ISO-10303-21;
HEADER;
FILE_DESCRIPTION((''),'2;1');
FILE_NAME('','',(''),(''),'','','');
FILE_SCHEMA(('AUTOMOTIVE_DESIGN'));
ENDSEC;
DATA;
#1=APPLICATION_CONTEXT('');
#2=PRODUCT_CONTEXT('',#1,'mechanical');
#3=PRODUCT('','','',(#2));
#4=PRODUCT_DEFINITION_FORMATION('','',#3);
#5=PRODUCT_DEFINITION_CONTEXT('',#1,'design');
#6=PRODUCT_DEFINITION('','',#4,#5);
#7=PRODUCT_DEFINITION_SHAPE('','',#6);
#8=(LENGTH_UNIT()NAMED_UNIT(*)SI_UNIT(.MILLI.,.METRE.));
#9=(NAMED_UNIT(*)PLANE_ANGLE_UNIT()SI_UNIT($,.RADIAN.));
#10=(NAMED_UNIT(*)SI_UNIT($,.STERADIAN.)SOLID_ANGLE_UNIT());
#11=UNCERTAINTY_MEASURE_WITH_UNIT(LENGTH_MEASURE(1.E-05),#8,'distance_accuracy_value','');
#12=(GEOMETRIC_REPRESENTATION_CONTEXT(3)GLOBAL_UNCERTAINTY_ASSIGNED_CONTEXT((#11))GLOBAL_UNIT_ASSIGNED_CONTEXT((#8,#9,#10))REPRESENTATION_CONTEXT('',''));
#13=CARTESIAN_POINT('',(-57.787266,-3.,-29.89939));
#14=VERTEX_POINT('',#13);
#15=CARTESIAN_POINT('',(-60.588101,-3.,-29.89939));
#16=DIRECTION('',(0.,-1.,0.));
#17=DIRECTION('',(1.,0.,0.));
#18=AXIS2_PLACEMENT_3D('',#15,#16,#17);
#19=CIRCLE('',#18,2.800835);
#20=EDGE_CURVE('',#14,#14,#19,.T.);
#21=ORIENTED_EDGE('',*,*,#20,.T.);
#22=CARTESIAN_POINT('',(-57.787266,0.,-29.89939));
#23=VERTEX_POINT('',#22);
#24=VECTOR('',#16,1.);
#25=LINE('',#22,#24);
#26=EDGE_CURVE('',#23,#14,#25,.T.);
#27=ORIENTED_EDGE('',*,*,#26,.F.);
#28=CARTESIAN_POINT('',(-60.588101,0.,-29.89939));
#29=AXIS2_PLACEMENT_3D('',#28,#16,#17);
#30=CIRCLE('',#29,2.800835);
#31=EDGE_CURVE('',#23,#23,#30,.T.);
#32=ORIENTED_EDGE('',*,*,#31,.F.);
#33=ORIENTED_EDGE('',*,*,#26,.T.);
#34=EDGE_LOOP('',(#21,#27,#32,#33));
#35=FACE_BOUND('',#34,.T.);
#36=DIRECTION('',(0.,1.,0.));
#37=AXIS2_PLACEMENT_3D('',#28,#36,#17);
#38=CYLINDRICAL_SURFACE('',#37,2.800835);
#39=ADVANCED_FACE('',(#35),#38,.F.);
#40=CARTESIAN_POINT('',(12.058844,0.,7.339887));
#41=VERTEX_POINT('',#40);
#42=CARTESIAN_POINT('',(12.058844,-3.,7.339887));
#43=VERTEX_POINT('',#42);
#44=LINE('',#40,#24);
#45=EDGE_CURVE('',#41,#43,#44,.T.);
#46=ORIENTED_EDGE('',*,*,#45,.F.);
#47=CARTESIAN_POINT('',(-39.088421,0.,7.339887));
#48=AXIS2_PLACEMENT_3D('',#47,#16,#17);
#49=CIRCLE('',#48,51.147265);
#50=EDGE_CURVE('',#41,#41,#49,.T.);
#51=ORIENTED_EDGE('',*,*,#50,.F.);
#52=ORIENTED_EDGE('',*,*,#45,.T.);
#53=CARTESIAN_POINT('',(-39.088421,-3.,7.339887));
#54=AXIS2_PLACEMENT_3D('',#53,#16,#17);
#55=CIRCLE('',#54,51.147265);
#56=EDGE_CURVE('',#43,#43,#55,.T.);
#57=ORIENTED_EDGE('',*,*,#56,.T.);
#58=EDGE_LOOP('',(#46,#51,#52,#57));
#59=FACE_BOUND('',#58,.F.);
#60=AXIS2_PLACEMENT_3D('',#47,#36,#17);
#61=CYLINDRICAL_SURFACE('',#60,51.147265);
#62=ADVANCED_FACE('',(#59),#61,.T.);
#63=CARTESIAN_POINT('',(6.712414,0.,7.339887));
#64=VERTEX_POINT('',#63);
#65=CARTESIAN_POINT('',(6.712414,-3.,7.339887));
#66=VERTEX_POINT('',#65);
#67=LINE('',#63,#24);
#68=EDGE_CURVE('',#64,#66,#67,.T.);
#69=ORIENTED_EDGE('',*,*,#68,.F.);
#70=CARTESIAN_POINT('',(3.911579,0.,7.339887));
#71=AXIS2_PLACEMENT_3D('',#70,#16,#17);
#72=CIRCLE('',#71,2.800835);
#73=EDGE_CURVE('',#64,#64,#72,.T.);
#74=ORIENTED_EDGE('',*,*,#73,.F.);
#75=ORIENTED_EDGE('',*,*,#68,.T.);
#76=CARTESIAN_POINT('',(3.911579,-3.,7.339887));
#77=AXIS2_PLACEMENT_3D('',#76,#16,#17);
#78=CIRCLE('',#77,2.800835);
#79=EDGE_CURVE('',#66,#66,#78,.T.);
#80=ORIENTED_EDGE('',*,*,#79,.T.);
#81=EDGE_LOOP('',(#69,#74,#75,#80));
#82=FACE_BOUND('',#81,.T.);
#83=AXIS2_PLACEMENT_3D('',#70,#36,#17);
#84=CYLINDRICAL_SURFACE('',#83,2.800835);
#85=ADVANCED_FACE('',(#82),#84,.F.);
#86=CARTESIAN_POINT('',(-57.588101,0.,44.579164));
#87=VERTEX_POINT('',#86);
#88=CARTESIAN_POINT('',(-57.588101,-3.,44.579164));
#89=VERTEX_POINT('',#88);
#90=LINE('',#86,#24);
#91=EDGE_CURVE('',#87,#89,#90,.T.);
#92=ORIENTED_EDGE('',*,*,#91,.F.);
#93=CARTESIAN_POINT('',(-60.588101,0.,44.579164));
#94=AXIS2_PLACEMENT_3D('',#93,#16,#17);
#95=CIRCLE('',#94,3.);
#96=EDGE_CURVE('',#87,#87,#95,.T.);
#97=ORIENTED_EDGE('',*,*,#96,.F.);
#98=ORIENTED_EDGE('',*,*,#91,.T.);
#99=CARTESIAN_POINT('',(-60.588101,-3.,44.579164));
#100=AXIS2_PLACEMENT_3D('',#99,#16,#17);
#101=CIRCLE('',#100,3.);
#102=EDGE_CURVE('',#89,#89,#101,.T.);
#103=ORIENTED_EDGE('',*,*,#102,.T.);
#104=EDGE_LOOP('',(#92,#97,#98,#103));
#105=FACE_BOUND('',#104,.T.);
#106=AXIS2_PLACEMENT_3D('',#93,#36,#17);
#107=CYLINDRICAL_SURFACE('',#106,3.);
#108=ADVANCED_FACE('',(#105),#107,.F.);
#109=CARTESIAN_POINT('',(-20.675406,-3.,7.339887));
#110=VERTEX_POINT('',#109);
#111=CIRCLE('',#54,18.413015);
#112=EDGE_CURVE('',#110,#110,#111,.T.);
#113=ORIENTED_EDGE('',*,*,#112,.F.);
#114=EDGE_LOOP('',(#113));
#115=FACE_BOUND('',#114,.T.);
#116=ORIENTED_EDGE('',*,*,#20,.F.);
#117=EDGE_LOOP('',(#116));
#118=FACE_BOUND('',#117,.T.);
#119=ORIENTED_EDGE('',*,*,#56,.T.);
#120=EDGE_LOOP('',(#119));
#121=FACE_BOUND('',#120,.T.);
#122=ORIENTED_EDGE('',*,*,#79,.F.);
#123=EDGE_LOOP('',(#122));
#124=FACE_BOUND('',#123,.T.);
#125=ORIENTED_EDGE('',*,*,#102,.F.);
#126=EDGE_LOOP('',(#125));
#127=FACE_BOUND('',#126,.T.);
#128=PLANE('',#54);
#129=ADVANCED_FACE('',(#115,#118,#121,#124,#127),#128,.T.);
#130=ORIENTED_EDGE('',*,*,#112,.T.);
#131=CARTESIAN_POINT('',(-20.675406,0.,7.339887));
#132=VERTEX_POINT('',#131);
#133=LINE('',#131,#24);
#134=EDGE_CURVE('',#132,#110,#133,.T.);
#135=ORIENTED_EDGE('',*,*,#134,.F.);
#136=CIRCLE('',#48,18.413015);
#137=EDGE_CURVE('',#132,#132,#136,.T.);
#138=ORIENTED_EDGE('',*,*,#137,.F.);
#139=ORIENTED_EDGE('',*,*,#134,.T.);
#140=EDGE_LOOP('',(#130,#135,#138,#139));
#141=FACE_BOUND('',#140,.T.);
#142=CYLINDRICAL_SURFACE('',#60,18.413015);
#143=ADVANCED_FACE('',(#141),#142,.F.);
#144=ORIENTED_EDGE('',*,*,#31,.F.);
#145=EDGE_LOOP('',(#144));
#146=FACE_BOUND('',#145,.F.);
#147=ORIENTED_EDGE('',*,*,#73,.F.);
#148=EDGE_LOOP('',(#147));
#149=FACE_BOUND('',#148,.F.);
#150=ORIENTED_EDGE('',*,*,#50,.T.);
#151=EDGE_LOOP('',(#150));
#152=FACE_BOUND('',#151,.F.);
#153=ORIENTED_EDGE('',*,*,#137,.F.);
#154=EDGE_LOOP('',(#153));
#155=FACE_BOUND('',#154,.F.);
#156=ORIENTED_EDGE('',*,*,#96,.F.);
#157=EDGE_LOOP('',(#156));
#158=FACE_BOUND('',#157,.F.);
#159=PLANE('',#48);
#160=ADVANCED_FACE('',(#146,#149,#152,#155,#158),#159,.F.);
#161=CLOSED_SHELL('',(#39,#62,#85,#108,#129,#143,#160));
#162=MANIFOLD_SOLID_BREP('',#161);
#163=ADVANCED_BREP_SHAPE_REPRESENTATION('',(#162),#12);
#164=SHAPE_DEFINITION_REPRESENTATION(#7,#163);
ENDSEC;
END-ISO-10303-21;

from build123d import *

# Parameters (mm, degrees)
F0_R     = 51.147265
F0_R_2   = 2.800835
F0_R_3   = 3
F0_R_4   = 18.413015
F1_DEPTH = 3


with BuildPart() as f1:
    # F0 (on Front) → F1 (new body)
    with BuildSketch(Plane.XZ):
        with Locations((-39.088421, 7.339887)):
            Circle(F0_R)
        with Locations((-60.588101, -29.89939)):
            Circle(F0_R_2, mode=Mode.SUBTRACT)
        with Locations((-60.588101, 44.579164)):
            Circle(F0_R_3, mode=Mode.SUBTRACT)
        with Locations((-39.088421, 7.339887)):
            Circle(F0_R_4, mode=Mode.SUBTRACT)
        with Locations((3.911579, 7.339887)):
            Circle(F0_R_2, mode=Mode.SUBTRACT)
    extrude(amount=F1_DEPTH)


solid = f1.part
